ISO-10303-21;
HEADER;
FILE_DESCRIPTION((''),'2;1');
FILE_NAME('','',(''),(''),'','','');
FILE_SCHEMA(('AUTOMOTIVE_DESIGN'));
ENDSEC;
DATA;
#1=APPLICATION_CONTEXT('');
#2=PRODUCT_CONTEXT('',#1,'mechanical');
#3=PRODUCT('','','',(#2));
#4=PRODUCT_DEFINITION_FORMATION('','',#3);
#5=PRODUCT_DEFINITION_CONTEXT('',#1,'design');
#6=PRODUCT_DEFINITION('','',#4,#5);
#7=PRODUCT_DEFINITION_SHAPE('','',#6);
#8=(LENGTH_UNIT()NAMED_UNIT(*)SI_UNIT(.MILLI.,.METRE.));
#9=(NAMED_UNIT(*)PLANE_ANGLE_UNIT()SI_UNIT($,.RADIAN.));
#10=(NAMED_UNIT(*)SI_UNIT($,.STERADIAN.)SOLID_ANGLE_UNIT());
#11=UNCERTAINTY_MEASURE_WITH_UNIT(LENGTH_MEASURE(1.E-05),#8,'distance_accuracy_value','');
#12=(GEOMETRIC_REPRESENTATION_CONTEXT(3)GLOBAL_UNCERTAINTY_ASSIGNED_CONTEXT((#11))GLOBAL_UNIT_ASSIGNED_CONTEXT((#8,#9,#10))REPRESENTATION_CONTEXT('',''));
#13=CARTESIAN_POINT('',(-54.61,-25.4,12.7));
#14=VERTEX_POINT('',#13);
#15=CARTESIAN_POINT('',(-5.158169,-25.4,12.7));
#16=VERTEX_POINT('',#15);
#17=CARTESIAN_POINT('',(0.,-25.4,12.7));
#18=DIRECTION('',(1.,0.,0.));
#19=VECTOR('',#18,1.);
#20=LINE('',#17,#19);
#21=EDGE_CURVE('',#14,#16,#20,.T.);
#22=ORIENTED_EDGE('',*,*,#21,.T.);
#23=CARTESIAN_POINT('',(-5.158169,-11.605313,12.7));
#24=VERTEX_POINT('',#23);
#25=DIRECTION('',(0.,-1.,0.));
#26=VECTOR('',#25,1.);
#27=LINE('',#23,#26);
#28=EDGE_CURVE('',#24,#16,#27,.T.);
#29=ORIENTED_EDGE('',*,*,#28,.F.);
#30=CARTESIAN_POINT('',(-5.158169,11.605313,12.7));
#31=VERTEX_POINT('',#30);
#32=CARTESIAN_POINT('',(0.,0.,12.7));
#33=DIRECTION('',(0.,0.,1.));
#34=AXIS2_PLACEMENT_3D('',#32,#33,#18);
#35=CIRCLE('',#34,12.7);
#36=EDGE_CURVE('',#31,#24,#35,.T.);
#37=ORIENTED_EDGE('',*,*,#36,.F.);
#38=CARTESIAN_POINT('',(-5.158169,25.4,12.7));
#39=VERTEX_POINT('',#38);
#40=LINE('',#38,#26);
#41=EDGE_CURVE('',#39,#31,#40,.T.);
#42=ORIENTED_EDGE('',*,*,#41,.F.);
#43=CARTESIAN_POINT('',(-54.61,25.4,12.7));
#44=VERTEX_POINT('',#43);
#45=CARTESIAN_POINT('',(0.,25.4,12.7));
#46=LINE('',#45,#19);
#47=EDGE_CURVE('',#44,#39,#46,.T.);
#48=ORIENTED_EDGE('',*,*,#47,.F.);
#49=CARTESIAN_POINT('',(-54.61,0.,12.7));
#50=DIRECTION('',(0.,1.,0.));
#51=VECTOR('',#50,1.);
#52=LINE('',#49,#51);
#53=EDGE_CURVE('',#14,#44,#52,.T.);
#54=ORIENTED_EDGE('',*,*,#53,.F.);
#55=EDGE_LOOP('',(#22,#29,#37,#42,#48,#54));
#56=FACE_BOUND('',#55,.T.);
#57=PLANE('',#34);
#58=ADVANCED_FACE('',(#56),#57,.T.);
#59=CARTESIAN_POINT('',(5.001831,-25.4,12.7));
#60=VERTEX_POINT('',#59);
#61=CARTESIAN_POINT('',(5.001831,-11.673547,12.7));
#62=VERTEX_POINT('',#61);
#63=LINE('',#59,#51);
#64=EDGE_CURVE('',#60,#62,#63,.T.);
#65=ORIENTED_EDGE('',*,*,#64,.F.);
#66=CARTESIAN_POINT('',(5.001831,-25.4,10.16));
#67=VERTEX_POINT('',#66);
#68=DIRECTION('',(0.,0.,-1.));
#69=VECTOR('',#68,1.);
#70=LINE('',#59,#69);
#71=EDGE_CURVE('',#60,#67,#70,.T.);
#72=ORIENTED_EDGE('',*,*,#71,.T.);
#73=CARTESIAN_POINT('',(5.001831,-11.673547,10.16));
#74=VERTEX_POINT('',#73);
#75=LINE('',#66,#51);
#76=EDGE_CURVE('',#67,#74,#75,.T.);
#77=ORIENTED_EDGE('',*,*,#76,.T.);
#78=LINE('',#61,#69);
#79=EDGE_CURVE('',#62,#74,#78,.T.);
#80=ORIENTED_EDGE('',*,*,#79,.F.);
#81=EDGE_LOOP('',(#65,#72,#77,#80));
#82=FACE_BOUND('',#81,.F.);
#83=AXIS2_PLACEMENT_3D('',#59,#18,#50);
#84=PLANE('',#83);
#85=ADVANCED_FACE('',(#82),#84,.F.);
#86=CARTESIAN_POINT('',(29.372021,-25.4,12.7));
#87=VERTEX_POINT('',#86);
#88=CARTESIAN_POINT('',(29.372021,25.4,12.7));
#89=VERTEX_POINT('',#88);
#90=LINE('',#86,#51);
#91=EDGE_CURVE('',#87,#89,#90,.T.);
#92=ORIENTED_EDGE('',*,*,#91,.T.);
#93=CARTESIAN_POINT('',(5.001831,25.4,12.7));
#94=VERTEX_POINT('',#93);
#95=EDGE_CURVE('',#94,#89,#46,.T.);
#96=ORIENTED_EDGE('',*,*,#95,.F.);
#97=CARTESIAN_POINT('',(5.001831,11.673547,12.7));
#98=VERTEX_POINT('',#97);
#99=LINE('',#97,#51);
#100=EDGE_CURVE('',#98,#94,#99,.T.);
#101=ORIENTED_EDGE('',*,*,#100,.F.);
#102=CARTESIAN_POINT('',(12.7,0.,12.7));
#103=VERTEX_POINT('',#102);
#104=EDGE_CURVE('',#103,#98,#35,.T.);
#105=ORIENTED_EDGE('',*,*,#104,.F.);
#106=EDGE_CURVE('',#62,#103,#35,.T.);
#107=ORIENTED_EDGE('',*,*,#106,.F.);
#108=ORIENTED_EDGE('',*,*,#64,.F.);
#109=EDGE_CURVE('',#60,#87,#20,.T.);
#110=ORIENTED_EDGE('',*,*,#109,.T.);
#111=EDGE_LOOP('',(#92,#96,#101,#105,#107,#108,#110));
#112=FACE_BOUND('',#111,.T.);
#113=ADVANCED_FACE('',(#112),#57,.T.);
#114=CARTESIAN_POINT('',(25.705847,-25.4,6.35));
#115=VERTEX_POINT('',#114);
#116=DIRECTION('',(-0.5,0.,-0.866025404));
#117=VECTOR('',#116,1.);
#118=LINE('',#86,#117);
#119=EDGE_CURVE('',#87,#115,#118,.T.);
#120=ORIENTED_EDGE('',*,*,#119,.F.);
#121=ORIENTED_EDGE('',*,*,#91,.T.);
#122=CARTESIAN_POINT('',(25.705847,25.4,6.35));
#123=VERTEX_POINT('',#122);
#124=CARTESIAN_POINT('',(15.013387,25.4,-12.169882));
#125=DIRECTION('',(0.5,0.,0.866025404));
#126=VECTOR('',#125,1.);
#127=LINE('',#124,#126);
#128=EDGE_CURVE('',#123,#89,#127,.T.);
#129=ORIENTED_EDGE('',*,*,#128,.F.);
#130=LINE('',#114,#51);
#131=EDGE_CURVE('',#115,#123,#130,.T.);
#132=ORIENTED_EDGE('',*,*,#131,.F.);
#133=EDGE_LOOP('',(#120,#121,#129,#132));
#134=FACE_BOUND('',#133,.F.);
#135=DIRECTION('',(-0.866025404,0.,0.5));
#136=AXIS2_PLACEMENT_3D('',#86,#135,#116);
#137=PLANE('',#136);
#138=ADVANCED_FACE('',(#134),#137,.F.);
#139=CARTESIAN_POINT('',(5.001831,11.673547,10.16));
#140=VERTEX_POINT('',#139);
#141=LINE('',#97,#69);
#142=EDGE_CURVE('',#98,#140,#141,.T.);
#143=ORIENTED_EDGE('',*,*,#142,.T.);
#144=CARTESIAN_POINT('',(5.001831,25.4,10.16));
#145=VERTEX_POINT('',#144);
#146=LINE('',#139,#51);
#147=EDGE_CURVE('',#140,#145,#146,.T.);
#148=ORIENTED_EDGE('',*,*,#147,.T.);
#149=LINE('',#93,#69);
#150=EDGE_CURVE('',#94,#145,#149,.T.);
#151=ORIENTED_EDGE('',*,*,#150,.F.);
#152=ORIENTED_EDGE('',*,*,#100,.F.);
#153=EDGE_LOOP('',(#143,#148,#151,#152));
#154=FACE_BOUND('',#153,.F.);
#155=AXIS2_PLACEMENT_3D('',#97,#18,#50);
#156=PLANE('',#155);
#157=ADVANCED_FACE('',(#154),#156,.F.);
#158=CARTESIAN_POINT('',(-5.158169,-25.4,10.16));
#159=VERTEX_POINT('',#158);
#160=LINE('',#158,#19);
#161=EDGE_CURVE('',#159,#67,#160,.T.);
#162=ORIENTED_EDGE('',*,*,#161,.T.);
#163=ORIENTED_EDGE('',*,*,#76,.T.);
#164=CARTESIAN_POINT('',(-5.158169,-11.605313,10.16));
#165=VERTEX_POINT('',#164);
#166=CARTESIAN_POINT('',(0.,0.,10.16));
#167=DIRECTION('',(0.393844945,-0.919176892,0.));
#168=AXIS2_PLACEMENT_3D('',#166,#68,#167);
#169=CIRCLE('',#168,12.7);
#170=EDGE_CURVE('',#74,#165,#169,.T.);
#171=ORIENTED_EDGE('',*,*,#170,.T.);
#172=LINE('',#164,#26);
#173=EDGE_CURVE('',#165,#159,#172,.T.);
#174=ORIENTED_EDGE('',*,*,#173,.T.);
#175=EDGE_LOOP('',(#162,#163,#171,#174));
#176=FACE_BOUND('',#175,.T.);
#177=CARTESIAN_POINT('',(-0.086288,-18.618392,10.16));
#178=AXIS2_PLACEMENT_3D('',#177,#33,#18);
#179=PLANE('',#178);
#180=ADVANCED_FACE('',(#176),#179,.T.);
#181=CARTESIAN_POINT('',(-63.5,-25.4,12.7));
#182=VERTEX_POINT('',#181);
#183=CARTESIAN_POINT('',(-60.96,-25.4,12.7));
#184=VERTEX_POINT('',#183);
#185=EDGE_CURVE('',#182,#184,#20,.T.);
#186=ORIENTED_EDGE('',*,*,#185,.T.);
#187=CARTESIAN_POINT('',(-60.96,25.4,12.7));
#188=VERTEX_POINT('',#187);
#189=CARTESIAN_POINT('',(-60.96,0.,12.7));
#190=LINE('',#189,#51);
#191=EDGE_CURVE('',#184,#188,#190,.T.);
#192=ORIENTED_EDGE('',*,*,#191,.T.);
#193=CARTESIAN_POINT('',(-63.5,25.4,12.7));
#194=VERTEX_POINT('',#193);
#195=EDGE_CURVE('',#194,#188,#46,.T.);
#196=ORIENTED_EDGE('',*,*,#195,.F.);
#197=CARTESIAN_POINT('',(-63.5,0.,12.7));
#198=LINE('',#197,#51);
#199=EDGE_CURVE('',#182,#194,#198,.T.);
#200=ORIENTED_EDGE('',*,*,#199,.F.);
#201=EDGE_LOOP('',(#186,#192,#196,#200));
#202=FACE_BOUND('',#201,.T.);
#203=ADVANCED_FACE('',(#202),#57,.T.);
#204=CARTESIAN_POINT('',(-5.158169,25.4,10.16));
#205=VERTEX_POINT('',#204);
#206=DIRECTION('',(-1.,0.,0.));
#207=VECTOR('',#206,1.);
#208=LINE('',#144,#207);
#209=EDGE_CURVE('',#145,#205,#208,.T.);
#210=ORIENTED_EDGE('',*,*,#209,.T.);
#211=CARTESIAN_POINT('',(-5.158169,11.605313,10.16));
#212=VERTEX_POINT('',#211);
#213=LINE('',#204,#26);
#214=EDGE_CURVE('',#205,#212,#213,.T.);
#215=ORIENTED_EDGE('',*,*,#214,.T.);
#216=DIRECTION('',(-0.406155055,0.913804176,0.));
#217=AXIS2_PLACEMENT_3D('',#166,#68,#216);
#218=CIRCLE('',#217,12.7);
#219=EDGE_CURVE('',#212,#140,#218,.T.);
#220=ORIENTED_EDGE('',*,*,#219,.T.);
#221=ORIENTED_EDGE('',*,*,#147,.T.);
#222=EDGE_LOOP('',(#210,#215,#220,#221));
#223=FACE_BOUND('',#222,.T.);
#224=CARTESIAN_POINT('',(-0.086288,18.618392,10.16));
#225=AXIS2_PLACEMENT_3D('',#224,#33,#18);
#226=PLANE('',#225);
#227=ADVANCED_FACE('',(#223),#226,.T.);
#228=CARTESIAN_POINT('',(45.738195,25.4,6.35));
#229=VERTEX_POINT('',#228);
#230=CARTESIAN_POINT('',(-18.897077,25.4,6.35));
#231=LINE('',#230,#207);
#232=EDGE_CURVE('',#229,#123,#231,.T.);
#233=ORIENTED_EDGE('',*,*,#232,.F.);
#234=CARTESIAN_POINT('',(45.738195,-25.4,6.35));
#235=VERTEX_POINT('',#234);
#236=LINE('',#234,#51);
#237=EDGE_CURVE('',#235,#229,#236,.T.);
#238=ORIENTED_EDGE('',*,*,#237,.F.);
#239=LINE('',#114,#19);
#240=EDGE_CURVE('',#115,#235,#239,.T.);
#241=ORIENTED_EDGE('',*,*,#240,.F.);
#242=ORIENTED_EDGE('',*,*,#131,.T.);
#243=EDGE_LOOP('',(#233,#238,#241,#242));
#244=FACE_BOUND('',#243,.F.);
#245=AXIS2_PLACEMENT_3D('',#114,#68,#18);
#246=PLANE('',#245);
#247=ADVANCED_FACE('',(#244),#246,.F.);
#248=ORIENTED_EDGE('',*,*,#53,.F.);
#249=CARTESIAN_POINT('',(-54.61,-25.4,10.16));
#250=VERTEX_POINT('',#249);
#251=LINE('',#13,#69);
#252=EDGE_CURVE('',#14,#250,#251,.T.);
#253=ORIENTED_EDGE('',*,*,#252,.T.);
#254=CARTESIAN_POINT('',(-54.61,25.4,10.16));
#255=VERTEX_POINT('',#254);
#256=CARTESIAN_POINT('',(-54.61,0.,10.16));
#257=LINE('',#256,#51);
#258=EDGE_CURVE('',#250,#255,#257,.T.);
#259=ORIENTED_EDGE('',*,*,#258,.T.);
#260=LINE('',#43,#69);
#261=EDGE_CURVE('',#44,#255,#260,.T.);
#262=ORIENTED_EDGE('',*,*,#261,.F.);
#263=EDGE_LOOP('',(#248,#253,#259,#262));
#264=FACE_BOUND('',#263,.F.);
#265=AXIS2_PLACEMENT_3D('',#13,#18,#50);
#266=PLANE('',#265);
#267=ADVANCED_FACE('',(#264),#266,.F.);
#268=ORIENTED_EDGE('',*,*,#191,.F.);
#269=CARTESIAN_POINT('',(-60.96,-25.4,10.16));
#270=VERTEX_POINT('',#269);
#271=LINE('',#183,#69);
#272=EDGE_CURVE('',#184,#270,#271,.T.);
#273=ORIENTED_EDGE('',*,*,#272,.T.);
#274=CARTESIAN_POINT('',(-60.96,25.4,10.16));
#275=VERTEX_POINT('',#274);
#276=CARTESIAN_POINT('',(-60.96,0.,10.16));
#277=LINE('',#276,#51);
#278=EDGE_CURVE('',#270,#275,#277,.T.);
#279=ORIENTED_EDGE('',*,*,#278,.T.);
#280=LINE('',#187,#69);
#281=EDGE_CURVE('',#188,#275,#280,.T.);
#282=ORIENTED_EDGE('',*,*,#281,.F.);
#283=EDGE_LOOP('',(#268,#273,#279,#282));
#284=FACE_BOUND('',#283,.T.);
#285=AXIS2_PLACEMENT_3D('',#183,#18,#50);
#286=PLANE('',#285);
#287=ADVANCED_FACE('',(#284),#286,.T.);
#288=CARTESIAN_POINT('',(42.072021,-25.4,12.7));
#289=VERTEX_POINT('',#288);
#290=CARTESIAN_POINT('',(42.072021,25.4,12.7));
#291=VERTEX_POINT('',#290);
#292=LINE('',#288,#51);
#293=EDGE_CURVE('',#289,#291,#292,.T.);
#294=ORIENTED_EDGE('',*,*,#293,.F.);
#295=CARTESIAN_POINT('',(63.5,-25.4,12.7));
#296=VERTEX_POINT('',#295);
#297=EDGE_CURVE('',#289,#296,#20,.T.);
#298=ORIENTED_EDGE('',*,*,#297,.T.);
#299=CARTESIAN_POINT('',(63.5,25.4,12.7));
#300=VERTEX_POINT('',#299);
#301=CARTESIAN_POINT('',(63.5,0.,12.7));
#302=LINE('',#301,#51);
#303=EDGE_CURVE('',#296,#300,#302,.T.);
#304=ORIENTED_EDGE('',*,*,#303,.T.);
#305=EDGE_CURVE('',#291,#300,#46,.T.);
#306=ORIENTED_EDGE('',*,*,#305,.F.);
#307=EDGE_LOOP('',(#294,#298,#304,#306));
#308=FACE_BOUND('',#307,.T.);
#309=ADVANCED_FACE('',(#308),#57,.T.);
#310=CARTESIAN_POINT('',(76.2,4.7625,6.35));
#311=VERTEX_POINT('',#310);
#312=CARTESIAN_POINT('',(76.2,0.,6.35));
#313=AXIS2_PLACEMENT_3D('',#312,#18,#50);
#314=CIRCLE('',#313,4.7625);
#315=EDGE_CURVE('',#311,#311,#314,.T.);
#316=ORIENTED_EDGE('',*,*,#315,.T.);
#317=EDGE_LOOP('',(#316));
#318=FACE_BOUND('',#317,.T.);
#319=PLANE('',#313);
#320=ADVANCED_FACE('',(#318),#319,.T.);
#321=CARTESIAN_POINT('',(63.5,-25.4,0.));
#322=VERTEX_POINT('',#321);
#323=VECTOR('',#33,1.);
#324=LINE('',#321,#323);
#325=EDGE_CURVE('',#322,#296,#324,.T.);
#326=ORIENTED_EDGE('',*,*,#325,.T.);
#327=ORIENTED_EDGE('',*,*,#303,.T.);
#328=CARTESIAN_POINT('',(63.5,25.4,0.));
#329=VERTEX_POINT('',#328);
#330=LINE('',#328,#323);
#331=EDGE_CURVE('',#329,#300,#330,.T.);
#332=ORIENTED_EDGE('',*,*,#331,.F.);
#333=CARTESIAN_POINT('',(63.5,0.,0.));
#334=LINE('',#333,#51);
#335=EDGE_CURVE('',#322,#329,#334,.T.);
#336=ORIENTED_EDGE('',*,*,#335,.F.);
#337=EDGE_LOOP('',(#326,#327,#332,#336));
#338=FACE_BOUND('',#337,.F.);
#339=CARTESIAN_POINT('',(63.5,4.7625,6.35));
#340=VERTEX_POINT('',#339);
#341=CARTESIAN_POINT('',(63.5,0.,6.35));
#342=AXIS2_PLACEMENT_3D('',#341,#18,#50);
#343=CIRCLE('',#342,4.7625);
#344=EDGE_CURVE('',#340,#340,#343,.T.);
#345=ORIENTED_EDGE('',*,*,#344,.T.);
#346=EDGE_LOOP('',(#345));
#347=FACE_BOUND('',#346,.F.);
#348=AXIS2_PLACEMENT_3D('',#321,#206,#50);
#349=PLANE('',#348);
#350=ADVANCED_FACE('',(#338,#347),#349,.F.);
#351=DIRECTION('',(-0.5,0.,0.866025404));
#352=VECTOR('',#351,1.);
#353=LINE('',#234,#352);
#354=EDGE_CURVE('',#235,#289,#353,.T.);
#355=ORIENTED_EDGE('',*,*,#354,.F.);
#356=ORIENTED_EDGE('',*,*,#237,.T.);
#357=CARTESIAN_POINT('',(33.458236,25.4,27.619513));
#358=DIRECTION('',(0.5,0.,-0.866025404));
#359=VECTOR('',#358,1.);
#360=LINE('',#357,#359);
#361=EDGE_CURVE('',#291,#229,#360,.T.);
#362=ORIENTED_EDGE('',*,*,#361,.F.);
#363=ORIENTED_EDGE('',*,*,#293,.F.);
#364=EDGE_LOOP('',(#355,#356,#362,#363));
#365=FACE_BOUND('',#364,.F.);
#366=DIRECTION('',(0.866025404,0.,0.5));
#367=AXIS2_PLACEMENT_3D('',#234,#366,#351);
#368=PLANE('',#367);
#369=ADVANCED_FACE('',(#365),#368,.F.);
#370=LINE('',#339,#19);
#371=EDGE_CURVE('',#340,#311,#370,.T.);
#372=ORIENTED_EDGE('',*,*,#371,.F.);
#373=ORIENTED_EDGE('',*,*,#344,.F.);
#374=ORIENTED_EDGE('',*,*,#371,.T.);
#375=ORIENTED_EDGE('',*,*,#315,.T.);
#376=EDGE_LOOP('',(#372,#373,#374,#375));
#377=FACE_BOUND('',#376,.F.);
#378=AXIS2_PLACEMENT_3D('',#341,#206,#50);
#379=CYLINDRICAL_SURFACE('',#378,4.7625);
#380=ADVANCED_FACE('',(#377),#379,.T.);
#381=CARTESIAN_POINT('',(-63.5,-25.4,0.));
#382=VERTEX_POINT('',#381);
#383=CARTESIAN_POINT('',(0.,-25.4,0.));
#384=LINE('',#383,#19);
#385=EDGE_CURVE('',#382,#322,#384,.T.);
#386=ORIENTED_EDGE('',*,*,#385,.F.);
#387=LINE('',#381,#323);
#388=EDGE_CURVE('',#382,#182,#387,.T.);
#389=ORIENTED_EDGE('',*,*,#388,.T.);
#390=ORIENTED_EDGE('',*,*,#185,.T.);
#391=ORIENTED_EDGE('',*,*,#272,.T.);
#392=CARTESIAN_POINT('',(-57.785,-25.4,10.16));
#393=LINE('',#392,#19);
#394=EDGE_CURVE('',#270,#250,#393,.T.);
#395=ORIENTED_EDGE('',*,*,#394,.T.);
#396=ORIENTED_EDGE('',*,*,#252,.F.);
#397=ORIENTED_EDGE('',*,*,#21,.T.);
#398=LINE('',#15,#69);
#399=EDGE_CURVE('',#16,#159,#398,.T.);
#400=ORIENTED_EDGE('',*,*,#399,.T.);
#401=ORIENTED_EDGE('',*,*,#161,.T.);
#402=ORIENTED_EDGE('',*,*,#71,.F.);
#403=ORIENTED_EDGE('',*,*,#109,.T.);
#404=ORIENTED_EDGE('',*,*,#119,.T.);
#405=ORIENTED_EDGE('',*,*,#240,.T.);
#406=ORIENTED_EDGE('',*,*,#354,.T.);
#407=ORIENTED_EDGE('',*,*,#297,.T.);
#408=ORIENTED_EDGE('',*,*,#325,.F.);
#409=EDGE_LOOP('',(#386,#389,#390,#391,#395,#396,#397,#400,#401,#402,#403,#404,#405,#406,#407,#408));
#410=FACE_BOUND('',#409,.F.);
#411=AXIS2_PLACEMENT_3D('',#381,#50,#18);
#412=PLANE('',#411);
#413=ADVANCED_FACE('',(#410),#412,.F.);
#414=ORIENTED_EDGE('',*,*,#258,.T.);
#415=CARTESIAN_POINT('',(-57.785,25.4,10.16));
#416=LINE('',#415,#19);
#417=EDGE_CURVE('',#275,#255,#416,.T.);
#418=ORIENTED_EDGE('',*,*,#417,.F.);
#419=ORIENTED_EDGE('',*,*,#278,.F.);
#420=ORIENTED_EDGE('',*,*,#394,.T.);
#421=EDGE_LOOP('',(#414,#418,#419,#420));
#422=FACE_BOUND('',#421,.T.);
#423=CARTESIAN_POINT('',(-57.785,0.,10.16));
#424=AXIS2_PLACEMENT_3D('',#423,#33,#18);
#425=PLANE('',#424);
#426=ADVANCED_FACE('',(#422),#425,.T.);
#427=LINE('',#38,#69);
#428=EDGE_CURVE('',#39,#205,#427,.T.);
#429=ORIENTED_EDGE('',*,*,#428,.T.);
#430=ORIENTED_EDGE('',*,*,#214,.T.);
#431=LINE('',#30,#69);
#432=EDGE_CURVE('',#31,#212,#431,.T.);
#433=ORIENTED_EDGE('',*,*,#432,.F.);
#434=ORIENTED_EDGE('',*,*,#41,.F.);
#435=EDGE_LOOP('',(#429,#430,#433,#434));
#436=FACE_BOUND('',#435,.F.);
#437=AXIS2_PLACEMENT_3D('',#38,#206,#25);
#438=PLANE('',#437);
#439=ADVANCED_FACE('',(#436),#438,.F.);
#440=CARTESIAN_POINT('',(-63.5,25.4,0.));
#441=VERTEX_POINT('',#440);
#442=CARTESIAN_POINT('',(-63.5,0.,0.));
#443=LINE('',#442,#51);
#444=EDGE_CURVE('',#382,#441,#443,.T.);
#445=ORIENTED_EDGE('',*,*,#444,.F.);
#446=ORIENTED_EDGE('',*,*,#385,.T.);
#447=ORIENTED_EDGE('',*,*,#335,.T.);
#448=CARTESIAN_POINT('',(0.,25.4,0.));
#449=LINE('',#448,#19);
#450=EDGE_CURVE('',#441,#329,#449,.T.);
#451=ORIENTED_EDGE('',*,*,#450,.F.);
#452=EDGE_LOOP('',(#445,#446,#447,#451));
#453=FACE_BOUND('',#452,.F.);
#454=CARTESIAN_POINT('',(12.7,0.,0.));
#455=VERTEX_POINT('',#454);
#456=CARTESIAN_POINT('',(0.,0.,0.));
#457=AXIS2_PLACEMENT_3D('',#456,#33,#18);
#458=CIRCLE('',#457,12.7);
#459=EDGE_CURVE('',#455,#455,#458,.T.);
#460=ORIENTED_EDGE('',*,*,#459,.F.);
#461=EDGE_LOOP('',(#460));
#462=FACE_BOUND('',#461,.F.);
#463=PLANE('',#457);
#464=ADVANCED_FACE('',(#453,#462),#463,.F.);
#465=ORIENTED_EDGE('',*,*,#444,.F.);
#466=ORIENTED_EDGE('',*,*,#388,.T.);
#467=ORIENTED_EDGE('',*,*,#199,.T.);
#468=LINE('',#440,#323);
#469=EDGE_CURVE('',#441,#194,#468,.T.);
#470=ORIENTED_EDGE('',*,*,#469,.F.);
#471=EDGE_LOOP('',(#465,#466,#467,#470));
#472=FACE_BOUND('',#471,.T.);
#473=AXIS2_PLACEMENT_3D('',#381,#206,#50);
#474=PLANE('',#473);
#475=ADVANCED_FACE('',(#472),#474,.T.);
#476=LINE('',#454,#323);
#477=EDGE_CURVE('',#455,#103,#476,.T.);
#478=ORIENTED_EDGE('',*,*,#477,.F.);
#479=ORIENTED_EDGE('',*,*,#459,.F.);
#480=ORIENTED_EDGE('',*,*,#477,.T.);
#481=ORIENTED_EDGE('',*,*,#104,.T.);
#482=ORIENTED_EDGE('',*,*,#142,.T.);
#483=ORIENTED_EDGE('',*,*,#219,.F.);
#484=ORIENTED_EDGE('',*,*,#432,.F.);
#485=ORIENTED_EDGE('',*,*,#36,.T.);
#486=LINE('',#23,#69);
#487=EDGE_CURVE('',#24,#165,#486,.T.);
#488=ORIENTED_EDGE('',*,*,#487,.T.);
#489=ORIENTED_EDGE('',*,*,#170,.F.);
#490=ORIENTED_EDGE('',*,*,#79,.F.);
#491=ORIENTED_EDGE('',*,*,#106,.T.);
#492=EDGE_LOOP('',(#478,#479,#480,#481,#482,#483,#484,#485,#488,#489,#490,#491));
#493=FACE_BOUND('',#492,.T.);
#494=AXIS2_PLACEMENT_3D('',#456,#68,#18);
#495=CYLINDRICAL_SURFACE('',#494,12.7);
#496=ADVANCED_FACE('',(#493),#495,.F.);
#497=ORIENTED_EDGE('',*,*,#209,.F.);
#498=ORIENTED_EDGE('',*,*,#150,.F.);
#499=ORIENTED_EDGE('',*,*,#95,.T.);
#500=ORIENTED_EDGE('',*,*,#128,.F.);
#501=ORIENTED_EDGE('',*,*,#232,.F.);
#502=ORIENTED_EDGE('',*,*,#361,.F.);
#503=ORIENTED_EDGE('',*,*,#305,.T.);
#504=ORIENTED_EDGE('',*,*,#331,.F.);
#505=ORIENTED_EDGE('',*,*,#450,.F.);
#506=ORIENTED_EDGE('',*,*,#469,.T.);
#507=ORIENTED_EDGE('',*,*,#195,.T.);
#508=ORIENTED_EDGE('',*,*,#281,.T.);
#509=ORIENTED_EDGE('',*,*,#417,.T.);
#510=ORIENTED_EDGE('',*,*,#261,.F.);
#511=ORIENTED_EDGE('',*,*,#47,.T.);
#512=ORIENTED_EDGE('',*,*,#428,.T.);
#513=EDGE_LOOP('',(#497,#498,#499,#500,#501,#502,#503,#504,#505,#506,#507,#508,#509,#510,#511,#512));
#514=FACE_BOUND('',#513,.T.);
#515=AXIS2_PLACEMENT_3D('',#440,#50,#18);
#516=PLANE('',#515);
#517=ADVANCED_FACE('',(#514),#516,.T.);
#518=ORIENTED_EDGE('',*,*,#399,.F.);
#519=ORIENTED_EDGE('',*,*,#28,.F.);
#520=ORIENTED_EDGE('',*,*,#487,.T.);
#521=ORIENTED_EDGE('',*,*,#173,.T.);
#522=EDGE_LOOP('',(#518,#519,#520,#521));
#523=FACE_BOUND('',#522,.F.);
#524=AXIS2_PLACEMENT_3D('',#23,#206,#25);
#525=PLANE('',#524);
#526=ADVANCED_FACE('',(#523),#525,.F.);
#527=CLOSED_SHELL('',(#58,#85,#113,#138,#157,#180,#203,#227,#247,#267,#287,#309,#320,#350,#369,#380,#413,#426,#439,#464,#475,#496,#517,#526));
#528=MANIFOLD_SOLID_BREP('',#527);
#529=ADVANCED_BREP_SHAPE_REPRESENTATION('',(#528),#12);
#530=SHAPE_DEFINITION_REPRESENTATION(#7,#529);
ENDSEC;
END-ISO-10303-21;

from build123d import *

# Parameters (mm, degrees)
F0_W     = 127
F0_H     = 50.8
F0_R     = 12.7
F1_DEPTH = 12.7
F2_W     = 6.35
F2_H     = 50.8
F3_DEPTH = 2.54
F5_DEPTH = 50.801
F6_R     = 4.7625
F7_DEPTH = 12.7


with BuildPart() as f1:
    # F0 (on Top) → F1 (new body)
    with BuildSketch(Plane.XY):
        Rectangle(F0_W, F0_H)
        Circle(F0_R, mode=Mode.SUBTRACT)
    extrude(amount=F1_DEPTH)

    # F2 (on face) → F3 (cut)
    with BuildSketch(Plane.XY.offset(12.7)):
        with BuildLine():
            Line((5.0018308049, 25.4), (-5.1581691951, 25.4))
            Line((-5.1581691951, 25.4), (-5.1581691951, 11.6053130313))
            ThreePointArc((-5.1581691951, 11.6053130313), (-0.0852899505, 12.699713604), (5.0018308049, 11.6735465305))
            Line((5.0018308049, 11.6735465305), (5.0018308049, 25.4))
        make_face()
        with BuildLine():
            Line((-5.1581691951, -11.6053130313), (-5.1581691951, -25.4))
            Line((-5.1581691951, -25.4), (5.0018308049, -25.4))
            Line((5.0018308049, -25.4), (5.0018308049, -11.6735465305))
            ThreePointArc((5.0018308049, -11.6735465305), (-0.0852899505, -12.699713604), (-5.1581691951, -11.6053130313))
        make_face()
        with Locations((-57.785, 0)):
            Rectangle(F2_W, F2_H)
    extrude(amount=-F3_DEPTH, mode=Mode.SUBTRACT)

    # F4 (on face) → F5 (cut, through all)
    with BuildSketch(Plane.XZ.offset(25.4)):
        Polygon((42.0720207126, 12.7), (29.3720207126, 12.7), (25.7058465033, 6.35), (45.738194922, 6.35), align=None)
    extrude(amount=-F5_DEPTH, mode=Mode.SUBTRACT)

    # F6 (on face) → F7 (join)
    with BuildSketch(Plane.YZ.offset(63.5)):
        with Locations((0, 6.35)):
            Circle(F6_R)
    extrude(amount=F7_DEPTH)


solid = f1.part
